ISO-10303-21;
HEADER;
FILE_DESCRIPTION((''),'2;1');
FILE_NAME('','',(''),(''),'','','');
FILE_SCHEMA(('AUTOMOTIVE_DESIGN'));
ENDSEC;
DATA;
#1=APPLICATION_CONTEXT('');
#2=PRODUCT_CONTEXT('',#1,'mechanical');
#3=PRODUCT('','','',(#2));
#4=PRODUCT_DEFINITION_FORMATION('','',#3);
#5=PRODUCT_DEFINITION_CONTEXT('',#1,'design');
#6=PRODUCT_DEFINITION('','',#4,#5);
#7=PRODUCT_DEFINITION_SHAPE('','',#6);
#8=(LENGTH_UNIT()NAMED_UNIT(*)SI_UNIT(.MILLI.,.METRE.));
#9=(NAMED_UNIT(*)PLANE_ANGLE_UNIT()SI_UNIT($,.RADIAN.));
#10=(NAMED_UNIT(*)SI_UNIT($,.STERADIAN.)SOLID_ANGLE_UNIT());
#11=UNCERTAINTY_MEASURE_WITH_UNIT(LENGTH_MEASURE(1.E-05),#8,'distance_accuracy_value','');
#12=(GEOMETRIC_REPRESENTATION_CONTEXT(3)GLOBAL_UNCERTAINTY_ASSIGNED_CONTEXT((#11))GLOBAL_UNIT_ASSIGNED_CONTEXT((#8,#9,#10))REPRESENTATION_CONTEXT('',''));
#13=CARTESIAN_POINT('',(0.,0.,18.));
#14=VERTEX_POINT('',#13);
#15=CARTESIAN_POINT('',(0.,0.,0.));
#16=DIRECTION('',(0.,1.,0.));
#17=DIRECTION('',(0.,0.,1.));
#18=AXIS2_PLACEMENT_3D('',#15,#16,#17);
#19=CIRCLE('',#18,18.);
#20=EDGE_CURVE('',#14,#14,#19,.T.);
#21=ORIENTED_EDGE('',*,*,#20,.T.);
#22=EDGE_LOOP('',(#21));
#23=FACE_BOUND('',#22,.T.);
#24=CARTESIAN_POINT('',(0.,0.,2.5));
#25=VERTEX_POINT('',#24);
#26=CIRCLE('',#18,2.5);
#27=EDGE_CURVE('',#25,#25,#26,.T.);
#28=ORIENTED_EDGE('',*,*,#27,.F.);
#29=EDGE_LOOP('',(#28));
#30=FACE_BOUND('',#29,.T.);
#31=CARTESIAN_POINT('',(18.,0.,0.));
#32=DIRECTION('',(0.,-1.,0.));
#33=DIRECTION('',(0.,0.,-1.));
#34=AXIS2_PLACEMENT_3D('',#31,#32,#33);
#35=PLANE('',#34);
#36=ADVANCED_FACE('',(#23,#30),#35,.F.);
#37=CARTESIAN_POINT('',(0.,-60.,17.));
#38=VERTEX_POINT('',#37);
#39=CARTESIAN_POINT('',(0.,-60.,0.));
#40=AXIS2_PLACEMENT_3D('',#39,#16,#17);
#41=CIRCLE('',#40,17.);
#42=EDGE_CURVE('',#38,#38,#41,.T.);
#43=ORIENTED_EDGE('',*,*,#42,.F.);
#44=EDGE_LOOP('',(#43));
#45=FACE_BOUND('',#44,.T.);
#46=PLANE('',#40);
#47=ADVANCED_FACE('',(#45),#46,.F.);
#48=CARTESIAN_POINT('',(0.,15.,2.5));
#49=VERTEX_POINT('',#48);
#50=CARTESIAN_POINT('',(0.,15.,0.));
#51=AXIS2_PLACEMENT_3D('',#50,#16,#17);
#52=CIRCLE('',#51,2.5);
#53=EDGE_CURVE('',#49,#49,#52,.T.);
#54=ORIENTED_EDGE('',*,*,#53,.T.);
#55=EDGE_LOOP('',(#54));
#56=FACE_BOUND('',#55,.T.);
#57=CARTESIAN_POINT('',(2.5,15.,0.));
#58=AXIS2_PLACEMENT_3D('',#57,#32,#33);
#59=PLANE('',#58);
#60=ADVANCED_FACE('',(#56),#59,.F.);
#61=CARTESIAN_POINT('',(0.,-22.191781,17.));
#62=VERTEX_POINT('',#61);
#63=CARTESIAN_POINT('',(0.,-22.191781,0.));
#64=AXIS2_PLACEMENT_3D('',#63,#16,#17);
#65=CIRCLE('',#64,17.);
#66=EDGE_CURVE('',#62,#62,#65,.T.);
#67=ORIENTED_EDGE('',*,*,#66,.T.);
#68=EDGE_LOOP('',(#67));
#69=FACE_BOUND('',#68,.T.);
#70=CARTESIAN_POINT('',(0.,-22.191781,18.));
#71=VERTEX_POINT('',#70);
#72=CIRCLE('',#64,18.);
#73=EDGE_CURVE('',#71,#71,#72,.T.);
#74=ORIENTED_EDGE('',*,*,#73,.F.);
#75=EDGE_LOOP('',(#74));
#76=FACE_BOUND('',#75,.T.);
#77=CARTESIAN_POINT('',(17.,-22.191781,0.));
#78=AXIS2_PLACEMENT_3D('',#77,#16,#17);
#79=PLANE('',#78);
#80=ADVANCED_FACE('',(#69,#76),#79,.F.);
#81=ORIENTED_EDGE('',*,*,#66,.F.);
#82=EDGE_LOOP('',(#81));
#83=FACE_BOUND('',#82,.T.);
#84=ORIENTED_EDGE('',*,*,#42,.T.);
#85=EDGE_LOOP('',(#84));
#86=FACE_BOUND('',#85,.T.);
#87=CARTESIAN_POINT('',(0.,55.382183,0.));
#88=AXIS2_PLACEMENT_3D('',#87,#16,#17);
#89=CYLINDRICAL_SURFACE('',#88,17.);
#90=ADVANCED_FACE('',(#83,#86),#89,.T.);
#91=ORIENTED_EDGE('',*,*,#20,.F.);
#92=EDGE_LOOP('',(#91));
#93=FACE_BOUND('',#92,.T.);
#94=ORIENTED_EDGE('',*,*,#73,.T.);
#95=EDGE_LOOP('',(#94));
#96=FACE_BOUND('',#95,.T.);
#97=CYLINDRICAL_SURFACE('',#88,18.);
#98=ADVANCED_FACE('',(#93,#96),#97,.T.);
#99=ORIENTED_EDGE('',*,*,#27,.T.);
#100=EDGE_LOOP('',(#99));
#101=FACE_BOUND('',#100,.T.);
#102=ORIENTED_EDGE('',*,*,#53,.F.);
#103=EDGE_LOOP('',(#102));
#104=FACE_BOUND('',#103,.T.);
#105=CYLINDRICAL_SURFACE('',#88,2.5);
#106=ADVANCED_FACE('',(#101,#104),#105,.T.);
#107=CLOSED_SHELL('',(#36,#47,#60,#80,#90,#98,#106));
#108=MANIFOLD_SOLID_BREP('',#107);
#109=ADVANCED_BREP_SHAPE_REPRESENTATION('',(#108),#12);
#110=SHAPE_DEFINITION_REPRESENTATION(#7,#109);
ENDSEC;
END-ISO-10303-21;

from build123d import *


with BuildPart() as part:
    # Sketch2 → Revolve2 (revolve)
    with BuildSketch(Plane.XY):
        Polygon((0, 0), (0, -60), (17, -60), (17, -22.191780822), (18, -22.191780822), (18, 0), (2.5, 0), (2.5, 15), (0, 15), align=None)
    revolve(axis=Axis((0, 55.382183213, 0), (0, -1, 0)))


solid = part.part
